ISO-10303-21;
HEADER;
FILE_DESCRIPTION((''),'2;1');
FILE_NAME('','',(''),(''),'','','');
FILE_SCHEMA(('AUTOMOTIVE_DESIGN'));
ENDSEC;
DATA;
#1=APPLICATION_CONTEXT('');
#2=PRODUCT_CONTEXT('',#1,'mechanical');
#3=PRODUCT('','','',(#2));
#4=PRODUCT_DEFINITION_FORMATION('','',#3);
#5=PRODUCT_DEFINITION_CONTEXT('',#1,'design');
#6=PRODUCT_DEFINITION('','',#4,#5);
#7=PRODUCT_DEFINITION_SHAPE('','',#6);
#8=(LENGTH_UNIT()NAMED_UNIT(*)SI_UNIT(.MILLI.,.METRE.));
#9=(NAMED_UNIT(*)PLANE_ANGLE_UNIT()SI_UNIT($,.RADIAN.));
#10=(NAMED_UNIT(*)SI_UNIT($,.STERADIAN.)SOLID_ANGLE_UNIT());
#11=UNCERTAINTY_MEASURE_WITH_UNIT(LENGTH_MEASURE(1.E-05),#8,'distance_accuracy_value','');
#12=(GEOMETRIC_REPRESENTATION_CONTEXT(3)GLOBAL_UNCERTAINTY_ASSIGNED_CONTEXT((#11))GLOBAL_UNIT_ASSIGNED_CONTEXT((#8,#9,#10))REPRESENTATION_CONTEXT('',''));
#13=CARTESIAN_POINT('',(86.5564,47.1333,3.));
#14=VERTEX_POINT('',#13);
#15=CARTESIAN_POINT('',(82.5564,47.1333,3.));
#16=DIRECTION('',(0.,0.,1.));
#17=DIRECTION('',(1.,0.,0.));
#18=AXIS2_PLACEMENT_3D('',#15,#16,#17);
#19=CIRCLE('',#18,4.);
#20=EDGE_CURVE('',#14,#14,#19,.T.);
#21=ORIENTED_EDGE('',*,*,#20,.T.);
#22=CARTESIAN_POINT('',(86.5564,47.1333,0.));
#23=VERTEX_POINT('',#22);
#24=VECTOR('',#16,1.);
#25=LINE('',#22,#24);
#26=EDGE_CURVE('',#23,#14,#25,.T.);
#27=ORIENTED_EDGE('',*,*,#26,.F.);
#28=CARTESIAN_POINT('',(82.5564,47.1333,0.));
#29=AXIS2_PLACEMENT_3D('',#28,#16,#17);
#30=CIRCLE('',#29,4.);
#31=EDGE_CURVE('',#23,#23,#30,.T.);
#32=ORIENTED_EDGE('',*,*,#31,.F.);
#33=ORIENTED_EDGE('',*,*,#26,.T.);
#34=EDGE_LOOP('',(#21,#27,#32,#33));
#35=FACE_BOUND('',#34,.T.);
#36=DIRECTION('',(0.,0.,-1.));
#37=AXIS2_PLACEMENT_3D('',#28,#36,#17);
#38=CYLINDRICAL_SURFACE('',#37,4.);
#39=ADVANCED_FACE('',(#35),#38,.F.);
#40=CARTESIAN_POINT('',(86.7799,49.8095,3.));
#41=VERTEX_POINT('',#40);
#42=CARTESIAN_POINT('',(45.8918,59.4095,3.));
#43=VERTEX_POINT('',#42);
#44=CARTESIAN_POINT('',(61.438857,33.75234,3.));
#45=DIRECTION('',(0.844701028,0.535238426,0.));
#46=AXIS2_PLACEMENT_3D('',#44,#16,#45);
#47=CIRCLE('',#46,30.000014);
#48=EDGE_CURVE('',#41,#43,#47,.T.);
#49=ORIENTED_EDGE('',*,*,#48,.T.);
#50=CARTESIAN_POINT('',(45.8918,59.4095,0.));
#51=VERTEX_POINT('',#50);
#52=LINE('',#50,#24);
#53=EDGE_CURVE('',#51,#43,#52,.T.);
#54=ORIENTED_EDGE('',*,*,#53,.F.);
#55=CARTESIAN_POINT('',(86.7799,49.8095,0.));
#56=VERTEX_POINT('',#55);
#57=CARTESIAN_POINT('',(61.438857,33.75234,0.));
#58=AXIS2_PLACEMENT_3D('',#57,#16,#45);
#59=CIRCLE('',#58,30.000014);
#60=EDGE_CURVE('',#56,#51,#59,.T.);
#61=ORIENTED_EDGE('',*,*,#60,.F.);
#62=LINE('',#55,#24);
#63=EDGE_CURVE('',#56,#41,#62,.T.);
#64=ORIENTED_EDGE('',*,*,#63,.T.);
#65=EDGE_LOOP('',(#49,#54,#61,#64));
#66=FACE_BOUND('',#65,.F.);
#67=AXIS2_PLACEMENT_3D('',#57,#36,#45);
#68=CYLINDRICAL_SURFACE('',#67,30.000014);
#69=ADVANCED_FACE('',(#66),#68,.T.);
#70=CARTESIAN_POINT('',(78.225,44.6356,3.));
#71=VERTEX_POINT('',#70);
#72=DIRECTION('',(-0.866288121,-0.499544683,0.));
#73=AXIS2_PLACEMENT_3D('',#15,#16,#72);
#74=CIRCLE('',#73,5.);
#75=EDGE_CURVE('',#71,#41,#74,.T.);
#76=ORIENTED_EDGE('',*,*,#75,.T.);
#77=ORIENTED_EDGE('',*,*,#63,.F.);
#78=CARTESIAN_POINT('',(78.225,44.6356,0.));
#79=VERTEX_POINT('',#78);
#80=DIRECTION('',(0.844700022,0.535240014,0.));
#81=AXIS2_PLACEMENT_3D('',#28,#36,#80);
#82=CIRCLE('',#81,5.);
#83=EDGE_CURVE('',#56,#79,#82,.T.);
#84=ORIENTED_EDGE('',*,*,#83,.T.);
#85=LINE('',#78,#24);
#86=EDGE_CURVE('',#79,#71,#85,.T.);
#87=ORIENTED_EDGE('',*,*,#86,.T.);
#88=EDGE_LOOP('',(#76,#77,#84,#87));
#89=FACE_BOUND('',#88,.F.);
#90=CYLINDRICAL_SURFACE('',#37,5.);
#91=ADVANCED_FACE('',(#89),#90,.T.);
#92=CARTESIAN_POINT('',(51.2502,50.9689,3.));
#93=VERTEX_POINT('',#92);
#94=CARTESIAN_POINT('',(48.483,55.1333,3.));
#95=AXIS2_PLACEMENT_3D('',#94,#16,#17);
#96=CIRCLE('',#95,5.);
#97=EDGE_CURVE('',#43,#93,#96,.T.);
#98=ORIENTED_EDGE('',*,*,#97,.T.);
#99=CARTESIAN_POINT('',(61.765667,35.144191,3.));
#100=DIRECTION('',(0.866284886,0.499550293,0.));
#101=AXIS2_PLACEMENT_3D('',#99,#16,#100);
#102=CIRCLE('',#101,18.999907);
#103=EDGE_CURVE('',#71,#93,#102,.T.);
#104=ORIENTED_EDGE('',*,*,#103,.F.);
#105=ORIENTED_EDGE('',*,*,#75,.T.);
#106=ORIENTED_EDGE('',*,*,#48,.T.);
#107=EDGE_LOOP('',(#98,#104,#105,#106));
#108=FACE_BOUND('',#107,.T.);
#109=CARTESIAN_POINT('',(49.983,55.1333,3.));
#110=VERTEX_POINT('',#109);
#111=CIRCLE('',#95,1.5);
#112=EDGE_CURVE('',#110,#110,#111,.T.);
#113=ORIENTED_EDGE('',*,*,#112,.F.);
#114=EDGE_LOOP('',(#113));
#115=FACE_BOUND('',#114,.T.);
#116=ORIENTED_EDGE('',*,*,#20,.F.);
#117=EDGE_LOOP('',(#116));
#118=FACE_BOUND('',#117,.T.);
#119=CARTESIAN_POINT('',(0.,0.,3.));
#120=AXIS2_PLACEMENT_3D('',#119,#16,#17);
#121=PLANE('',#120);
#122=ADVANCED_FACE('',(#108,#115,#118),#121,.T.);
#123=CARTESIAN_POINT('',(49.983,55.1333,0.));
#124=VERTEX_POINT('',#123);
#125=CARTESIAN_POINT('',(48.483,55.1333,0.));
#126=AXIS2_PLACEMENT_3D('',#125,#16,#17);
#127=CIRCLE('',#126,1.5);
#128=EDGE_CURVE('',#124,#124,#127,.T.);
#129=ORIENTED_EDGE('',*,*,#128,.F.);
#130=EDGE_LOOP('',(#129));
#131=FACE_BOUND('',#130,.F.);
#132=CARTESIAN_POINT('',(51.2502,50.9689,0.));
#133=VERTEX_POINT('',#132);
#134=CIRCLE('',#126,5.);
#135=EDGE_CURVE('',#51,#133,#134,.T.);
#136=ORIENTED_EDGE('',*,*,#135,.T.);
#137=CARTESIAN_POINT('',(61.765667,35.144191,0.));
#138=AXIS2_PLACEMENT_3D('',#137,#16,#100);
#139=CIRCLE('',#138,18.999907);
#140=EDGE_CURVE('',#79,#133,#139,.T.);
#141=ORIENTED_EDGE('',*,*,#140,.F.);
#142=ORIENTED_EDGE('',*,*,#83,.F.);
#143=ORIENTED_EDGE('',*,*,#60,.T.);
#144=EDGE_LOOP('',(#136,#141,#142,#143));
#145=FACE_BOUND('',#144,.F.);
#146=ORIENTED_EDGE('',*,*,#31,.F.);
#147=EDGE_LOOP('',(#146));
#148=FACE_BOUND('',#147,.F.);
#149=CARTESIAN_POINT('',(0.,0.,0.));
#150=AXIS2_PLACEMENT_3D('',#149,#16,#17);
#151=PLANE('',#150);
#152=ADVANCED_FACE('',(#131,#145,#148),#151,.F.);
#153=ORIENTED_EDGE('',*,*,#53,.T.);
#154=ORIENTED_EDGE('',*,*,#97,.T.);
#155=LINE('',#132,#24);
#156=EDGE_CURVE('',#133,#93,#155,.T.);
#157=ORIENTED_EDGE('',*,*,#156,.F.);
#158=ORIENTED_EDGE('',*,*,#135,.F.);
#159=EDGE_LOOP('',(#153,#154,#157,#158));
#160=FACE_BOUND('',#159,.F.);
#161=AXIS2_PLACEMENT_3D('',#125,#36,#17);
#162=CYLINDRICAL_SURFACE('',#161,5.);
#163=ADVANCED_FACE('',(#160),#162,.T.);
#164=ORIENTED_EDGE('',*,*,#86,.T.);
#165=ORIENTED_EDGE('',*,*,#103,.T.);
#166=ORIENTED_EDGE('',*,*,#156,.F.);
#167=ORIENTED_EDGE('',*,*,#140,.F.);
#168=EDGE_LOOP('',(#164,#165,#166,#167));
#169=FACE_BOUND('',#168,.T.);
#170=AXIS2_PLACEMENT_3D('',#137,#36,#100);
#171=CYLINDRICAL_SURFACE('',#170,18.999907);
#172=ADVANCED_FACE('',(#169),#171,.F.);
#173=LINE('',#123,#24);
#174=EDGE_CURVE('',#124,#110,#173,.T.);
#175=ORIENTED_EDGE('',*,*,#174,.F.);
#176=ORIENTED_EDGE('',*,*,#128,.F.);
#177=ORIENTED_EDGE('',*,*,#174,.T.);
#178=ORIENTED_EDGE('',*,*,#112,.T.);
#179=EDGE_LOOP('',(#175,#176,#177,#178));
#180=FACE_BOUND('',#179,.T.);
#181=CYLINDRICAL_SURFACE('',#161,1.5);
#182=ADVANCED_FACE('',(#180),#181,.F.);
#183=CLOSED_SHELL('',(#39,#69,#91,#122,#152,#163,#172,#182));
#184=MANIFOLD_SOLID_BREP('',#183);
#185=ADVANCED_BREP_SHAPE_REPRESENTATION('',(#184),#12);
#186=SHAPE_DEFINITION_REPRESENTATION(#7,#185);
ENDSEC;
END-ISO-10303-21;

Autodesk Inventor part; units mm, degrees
ref_plane "YZ Plane" through (0, 0, 0) normal (1, 0, 0) x (0, 1, 0)
ref_plane "XZ Plane" through (0, 0, 0) normal (0, 1, 0) x (-1, 0, 0)
ref_plane "XY Plane" through (0, 0, 0) normal (0, 0, 1) x (1, 0, 0)
sketch "スケッチ1" plane through (0, 0, 0) normal (0, 0, 1) x (1, 0, 0)
  circle A0 centre (104.0735, 2) radius 6.025
  arc A1 (100.4168, -2.7885) -> (70.6822, 5.0468) centre (76.1402, -34.5791) ccw
  line L0 (69.7806, -5) -> (104.0735, 2) construction
  circle A2 centre (69.7806, -5) radius 5 construction
  arc A3 (102.7574, -3.8795) -> (72.4739, -9.2126) centre (94.0202, -42.9136) ccw construction
  circle A4 centre (75.3506, 22) radius 5 construction
  circle A5 centre (70, 10) radius 1.5
  circle A6 centre (70, 10) radius 5
  arc A7 (109.4834, 4.652) -> (75.6055, 26.9935) centre (73.5667, -12.9545) ccw construction
  arc A8 (108.1244, 6.4599) -> (68.3957, 14.7356) centre (81.2303, -23.1494) ccw
  arc A9 (105.8851, 7.7462) -> (66.341, -1.371) centre (93.8576, -30.4027) ccw construction
  line L1 (70, 10) -> (104.0735, 2) construction
  circle A10 centre (82.0403, 11.2819) radius 1.5
  line L2 (48.483, 55.1333) -> (82.5564, 47.1333) construction
  line L3 (82.5564, 47.1333) -> (53.8336, 67.1333) construction
  line L4 (82.5564, 47.1333) -> (48.2636, 40.1333) construction
  circle A11 centre (53.8336, 67.1333) radius 5 construction
  circle A12 centre (48.2636, 40.1333) radius 5 construction
  circle A13 centre (48.483, 55.1333) radius 5
  circle A14 centre (82.5564, 47.1333) radius 1.5
  circle A15 centre (82.5564, 47.1333) radius 5
  circle A16 centre (48.483, 55.1333) radius 1.5
  arc A17 (77.6092, 46.4087) -> (54.8703, 62.242) centre (58.8098, 43.6549) ccw construction
  arc A18 (78.225, 44.6356) -> (51.2502, 50.9689) centre (61.7656, 35.1441) ccw
  arc A19 (79.6686, 43.0516) -> (52.5201, 37.51) centre (68.6948, 27.5411) ccw construction
  arc A20 (85.2716, 51.3319) -> (44.1201, 42.9319) centre (68.9807, 26.1405) ccw construction
  arc A21 (86.7799, 49.8095) -> (45.8918, 59.4095) centre (61.4389, 33.7524) ccw
  arc A22 (87.4691, 48.0636) -> (53.0017, 72.0636) centre (57.993, 42.4818) ccw construction
  circle A23 centre (82.5564, 47.1333) radius 4
  point P0 (0, 0)
  point P1 (0, 0)
  dimension "d0" = 40
  dimension "d1" = 10
  dimension "d2" = 40
  dimension "d3" = 10
  dimension "d4" = 10
  dimension "d5" = 3
  dimension "d6" = 19
  dimension "d7" = 30
  dimension "d8" = 3
  dimension "d9" = 8
extrude "押し出し1" add sketch "スケッチ1" along normal blind 3 contours A13 | A13 A21 A15 A18 | A15
properties part number "heikou平行" material "アルミニウム 2014-T4"
